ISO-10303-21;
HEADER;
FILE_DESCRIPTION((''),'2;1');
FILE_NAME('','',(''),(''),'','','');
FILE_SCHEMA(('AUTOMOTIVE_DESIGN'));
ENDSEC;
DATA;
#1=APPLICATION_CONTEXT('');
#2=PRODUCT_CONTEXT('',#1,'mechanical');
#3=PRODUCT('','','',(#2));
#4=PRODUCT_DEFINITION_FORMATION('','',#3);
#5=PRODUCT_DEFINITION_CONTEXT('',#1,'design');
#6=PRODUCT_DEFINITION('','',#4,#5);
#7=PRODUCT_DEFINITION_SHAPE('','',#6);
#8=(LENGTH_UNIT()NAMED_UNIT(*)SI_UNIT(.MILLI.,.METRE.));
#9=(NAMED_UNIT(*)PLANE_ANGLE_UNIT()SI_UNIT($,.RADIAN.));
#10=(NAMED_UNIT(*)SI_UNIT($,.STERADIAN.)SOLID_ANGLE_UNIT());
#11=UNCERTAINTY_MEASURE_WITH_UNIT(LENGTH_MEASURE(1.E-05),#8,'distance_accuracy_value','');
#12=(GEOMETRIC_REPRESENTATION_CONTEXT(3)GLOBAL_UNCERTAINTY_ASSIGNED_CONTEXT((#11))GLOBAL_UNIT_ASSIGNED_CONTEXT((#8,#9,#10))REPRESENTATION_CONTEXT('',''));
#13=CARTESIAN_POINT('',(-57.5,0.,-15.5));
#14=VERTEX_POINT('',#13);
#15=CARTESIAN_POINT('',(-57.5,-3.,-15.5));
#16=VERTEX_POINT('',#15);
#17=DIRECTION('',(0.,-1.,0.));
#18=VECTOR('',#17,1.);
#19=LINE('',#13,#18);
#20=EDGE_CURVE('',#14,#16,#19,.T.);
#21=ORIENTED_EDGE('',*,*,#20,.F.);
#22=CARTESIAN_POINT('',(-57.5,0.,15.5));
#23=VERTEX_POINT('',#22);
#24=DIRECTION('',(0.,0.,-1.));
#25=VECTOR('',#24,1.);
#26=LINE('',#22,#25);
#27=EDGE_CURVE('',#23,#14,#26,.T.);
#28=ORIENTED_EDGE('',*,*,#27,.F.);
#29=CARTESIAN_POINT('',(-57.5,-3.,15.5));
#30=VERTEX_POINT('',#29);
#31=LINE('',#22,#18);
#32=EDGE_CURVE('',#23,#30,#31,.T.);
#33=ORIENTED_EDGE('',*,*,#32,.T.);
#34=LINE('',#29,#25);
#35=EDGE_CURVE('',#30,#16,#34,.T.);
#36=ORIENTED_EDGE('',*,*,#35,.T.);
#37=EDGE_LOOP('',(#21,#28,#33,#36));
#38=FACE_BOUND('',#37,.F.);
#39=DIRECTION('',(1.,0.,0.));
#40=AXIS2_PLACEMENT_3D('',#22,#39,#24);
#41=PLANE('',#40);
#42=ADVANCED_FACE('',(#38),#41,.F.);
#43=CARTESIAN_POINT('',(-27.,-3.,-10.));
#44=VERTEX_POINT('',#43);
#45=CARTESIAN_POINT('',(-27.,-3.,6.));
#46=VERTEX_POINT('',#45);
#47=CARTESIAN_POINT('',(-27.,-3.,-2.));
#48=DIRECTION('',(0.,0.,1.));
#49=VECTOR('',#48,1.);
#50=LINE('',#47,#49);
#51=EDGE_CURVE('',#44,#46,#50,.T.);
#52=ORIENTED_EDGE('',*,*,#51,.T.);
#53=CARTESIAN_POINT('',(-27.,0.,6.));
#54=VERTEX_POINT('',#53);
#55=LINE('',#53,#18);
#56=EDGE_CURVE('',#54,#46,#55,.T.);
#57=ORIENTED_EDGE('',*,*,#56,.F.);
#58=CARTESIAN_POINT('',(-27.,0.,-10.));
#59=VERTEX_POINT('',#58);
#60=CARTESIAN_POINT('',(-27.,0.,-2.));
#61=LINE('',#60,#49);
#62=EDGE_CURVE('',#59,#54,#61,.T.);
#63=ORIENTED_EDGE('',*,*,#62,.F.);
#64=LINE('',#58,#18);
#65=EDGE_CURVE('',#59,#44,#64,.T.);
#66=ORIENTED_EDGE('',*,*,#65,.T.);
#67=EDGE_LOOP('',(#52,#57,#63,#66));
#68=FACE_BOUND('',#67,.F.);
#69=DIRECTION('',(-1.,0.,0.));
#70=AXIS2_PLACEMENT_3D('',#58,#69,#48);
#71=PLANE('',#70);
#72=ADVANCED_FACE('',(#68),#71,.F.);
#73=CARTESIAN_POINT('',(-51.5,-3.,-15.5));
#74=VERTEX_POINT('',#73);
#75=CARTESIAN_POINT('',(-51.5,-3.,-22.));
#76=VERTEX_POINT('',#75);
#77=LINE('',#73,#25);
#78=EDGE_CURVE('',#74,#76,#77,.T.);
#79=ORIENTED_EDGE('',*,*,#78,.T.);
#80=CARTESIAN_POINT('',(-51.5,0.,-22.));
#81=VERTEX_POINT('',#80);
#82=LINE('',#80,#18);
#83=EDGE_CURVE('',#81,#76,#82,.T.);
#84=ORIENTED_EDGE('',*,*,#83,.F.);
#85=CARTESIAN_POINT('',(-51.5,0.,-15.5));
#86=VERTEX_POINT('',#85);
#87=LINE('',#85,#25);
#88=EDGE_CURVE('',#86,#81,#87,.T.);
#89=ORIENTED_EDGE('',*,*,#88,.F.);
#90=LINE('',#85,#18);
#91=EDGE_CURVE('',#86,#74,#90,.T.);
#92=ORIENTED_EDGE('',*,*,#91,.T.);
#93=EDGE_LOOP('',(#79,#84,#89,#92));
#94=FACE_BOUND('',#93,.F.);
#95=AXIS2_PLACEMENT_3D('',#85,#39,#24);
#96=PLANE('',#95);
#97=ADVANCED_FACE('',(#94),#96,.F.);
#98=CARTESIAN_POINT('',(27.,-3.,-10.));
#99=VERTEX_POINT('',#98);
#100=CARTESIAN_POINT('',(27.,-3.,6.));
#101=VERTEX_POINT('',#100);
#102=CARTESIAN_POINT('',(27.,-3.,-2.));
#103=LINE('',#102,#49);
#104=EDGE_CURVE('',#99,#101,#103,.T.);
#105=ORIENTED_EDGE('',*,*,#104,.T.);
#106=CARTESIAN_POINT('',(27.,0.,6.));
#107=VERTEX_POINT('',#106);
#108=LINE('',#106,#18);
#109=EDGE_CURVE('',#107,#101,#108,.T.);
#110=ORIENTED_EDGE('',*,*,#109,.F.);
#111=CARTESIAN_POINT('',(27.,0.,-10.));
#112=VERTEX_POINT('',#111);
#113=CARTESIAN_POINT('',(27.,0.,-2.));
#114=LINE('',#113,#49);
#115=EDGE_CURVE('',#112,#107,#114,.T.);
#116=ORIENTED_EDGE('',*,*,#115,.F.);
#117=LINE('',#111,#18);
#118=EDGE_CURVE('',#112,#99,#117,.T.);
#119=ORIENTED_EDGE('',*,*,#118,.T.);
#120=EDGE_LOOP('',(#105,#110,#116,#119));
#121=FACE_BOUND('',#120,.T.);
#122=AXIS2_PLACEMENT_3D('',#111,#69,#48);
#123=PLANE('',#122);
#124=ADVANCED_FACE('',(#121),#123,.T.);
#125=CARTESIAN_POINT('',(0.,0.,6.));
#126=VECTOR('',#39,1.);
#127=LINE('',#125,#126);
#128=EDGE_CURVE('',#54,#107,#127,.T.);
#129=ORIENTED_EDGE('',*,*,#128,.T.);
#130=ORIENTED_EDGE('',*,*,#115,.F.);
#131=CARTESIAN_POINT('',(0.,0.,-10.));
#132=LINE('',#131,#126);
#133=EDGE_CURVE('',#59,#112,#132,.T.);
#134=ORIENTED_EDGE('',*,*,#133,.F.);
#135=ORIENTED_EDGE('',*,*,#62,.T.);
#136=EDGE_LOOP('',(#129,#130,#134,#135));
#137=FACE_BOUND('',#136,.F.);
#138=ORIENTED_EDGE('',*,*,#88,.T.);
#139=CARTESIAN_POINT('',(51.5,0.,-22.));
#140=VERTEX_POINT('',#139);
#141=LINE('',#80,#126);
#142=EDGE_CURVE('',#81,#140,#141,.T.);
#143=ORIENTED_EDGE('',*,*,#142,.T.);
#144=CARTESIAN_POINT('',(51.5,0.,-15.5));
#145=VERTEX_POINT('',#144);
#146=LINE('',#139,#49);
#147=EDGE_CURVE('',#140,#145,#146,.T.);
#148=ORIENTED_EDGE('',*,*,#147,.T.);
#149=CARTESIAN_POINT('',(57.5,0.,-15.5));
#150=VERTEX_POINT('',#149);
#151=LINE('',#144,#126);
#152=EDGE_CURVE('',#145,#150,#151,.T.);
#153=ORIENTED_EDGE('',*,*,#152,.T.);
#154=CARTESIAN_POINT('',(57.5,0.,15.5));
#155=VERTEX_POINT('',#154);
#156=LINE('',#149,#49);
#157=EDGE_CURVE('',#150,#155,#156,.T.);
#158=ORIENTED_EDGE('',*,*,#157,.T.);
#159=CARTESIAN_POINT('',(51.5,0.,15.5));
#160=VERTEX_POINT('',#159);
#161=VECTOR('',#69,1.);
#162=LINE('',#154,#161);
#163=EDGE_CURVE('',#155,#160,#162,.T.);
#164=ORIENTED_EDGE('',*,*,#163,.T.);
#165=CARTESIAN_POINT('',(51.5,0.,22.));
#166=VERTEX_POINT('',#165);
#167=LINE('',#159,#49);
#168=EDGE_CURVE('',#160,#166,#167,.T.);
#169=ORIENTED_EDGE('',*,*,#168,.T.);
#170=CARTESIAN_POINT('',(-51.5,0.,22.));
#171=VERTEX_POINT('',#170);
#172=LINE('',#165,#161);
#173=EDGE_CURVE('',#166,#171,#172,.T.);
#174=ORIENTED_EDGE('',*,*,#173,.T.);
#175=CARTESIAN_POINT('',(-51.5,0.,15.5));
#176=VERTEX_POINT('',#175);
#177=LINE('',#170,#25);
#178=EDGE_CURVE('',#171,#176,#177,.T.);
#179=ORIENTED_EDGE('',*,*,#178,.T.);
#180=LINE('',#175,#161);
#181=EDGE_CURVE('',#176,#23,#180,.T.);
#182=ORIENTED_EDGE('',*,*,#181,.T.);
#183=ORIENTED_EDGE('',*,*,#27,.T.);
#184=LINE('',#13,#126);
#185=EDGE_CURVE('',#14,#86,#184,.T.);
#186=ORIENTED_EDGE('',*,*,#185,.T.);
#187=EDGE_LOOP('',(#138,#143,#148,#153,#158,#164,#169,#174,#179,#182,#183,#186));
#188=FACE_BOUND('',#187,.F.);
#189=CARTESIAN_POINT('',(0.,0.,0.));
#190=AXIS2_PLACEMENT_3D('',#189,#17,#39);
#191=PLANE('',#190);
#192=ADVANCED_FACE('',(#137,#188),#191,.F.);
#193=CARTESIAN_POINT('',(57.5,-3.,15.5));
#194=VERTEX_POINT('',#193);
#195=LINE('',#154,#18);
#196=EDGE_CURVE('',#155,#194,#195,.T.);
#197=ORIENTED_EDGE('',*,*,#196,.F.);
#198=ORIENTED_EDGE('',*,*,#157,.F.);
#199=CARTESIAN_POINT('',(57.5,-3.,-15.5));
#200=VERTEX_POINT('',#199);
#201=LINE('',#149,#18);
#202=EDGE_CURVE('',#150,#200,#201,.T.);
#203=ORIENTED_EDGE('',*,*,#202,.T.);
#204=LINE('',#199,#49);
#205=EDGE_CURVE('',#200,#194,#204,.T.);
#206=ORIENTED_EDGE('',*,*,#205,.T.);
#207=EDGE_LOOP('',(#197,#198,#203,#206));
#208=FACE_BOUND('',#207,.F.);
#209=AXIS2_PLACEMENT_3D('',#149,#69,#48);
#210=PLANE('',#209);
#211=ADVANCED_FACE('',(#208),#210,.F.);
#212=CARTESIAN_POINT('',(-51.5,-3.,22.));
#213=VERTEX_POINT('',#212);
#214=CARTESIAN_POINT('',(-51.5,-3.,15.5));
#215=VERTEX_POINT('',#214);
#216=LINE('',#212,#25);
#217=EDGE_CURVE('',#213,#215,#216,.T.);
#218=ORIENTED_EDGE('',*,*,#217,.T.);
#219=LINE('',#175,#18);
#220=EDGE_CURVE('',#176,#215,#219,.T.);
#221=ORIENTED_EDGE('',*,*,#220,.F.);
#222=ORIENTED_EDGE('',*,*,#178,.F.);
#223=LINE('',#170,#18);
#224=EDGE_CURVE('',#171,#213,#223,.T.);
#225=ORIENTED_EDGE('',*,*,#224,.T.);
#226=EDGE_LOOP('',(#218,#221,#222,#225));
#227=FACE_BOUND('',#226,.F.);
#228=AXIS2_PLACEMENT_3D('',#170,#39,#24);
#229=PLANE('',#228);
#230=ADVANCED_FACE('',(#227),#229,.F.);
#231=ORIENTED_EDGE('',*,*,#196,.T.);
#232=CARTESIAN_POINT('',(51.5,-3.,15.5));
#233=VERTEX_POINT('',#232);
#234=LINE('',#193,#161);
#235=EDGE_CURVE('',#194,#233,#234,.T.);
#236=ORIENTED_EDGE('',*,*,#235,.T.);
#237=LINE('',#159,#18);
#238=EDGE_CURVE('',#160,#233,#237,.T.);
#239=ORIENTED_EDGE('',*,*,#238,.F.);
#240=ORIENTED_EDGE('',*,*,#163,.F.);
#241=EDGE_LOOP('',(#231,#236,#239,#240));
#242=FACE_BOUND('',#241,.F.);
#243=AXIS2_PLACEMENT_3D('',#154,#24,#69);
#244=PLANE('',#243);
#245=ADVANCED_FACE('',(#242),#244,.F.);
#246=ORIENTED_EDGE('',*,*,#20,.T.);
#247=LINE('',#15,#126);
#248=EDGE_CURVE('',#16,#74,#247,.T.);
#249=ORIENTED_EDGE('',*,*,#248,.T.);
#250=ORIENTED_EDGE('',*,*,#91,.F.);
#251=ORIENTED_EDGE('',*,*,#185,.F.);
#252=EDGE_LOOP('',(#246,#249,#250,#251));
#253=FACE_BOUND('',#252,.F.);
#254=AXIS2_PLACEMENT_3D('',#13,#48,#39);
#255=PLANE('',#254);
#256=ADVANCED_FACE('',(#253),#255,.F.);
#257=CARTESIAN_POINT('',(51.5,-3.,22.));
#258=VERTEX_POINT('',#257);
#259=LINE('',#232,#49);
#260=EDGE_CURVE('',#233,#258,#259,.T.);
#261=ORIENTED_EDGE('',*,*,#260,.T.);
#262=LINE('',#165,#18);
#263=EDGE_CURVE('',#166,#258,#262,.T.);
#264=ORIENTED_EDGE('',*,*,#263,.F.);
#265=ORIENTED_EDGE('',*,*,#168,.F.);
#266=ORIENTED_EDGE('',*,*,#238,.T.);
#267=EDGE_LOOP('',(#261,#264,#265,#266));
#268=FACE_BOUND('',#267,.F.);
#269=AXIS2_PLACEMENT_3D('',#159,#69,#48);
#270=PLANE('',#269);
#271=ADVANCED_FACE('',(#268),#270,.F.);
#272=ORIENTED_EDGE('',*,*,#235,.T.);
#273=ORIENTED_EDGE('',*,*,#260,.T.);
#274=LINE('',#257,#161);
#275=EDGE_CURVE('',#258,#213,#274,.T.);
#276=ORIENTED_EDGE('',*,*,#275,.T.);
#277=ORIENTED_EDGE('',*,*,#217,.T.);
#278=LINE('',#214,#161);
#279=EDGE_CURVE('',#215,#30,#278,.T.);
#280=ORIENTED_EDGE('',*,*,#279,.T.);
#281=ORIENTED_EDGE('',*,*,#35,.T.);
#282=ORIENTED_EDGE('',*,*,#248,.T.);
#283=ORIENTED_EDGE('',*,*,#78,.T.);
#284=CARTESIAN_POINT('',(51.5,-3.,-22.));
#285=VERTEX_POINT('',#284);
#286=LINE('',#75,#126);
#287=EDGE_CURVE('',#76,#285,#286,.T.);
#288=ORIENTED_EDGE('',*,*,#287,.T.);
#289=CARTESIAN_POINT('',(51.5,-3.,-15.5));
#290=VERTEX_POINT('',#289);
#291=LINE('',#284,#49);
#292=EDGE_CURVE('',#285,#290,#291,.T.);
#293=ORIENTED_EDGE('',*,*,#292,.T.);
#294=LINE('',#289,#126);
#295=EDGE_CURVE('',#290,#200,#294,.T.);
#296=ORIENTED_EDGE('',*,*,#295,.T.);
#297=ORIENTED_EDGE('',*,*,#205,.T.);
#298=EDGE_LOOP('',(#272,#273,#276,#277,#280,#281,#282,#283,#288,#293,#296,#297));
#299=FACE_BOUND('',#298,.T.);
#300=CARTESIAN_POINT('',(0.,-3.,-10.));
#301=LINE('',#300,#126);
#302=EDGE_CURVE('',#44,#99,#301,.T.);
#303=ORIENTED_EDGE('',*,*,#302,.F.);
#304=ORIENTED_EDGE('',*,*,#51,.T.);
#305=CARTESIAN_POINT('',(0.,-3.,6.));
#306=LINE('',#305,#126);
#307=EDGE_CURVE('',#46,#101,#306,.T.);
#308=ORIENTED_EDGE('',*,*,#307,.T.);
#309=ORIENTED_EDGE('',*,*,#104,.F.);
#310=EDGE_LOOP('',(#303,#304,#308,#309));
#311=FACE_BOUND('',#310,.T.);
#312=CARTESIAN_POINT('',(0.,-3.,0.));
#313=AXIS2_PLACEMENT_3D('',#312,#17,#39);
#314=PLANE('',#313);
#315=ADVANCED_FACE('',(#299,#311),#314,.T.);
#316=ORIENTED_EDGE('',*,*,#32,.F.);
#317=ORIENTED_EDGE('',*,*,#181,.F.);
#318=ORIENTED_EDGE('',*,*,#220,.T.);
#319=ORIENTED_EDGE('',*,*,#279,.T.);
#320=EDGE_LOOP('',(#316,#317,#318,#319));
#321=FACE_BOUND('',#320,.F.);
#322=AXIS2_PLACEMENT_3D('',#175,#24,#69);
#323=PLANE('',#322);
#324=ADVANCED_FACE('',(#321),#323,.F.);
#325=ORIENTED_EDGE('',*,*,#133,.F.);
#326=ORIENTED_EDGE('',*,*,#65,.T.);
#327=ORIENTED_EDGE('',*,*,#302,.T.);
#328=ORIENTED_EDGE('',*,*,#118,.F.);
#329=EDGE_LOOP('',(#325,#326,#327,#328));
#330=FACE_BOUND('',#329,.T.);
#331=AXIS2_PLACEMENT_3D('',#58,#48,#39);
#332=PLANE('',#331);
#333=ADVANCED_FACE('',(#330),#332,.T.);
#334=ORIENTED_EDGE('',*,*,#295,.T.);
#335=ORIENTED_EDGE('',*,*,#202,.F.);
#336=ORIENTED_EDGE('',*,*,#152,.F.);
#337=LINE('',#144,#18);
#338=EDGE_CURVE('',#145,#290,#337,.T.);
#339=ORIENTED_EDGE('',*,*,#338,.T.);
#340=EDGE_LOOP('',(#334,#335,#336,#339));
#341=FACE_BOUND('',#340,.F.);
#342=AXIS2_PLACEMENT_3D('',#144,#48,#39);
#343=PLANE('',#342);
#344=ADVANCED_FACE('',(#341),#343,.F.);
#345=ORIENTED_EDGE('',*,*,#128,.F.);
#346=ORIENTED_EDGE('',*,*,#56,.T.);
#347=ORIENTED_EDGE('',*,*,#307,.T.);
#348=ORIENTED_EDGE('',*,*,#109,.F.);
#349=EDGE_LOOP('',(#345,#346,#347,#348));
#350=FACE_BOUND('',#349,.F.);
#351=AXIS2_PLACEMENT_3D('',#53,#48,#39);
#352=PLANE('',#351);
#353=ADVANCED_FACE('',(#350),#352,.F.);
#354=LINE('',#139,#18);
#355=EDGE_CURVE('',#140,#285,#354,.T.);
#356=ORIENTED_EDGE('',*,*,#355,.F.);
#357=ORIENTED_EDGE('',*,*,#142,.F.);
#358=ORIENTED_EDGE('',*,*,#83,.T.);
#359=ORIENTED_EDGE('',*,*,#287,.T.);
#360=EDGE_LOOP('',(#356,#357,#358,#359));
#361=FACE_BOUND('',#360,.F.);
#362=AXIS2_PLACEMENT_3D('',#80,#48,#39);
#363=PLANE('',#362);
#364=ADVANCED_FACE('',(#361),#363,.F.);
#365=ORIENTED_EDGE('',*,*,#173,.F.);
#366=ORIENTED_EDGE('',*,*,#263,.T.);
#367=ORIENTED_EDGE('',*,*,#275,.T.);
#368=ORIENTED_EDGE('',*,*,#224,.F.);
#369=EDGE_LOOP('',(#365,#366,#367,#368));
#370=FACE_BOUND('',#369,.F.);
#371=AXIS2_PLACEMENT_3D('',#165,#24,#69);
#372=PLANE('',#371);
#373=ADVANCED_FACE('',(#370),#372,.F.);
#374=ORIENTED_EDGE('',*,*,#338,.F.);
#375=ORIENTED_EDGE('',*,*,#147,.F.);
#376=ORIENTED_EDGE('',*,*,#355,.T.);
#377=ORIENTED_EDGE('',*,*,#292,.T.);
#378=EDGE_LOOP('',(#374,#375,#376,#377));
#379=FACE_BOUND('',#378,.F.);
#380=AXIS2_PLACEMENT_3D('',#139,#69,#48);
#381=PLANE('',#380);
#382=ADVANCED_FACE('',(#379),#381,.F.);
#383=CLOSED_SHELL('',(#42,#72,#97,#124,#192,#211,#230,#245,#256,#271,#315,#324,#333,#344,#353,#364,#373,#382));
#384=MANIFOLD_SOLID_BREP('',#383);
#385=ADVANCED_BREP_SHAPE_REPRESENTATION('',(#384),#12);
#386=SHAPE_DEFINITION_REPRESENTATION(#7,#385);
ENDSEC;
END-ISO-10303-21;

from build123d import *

# Parameters (mm, degrees)
F0_W     = 54
F0_H     = 16
F1_DEPTH = 3


with BuildPart() as f1:
    # F0 (on Front) → F1 (new body)
    with BuildSketch(Plane.XZ):
        Polygon((-51.5, -22), (51.5, -22), (51.5, -15.5), (57.5, -15.5), (57.5, 15.5), (51.5, 15.5), (51.5, 22), (-51.5, 22), (-51.5, 15.5), (-57.5, 15.5), (-57.5, -15.5), (-51.5, -15.5), align=None)
        with Locations((0, -2)):
            Rectangle(F0_W, F0_H, mode=Mode.SUBTRACT)
    extrude(amount=F1_DEPTH)


solid = f1.part
